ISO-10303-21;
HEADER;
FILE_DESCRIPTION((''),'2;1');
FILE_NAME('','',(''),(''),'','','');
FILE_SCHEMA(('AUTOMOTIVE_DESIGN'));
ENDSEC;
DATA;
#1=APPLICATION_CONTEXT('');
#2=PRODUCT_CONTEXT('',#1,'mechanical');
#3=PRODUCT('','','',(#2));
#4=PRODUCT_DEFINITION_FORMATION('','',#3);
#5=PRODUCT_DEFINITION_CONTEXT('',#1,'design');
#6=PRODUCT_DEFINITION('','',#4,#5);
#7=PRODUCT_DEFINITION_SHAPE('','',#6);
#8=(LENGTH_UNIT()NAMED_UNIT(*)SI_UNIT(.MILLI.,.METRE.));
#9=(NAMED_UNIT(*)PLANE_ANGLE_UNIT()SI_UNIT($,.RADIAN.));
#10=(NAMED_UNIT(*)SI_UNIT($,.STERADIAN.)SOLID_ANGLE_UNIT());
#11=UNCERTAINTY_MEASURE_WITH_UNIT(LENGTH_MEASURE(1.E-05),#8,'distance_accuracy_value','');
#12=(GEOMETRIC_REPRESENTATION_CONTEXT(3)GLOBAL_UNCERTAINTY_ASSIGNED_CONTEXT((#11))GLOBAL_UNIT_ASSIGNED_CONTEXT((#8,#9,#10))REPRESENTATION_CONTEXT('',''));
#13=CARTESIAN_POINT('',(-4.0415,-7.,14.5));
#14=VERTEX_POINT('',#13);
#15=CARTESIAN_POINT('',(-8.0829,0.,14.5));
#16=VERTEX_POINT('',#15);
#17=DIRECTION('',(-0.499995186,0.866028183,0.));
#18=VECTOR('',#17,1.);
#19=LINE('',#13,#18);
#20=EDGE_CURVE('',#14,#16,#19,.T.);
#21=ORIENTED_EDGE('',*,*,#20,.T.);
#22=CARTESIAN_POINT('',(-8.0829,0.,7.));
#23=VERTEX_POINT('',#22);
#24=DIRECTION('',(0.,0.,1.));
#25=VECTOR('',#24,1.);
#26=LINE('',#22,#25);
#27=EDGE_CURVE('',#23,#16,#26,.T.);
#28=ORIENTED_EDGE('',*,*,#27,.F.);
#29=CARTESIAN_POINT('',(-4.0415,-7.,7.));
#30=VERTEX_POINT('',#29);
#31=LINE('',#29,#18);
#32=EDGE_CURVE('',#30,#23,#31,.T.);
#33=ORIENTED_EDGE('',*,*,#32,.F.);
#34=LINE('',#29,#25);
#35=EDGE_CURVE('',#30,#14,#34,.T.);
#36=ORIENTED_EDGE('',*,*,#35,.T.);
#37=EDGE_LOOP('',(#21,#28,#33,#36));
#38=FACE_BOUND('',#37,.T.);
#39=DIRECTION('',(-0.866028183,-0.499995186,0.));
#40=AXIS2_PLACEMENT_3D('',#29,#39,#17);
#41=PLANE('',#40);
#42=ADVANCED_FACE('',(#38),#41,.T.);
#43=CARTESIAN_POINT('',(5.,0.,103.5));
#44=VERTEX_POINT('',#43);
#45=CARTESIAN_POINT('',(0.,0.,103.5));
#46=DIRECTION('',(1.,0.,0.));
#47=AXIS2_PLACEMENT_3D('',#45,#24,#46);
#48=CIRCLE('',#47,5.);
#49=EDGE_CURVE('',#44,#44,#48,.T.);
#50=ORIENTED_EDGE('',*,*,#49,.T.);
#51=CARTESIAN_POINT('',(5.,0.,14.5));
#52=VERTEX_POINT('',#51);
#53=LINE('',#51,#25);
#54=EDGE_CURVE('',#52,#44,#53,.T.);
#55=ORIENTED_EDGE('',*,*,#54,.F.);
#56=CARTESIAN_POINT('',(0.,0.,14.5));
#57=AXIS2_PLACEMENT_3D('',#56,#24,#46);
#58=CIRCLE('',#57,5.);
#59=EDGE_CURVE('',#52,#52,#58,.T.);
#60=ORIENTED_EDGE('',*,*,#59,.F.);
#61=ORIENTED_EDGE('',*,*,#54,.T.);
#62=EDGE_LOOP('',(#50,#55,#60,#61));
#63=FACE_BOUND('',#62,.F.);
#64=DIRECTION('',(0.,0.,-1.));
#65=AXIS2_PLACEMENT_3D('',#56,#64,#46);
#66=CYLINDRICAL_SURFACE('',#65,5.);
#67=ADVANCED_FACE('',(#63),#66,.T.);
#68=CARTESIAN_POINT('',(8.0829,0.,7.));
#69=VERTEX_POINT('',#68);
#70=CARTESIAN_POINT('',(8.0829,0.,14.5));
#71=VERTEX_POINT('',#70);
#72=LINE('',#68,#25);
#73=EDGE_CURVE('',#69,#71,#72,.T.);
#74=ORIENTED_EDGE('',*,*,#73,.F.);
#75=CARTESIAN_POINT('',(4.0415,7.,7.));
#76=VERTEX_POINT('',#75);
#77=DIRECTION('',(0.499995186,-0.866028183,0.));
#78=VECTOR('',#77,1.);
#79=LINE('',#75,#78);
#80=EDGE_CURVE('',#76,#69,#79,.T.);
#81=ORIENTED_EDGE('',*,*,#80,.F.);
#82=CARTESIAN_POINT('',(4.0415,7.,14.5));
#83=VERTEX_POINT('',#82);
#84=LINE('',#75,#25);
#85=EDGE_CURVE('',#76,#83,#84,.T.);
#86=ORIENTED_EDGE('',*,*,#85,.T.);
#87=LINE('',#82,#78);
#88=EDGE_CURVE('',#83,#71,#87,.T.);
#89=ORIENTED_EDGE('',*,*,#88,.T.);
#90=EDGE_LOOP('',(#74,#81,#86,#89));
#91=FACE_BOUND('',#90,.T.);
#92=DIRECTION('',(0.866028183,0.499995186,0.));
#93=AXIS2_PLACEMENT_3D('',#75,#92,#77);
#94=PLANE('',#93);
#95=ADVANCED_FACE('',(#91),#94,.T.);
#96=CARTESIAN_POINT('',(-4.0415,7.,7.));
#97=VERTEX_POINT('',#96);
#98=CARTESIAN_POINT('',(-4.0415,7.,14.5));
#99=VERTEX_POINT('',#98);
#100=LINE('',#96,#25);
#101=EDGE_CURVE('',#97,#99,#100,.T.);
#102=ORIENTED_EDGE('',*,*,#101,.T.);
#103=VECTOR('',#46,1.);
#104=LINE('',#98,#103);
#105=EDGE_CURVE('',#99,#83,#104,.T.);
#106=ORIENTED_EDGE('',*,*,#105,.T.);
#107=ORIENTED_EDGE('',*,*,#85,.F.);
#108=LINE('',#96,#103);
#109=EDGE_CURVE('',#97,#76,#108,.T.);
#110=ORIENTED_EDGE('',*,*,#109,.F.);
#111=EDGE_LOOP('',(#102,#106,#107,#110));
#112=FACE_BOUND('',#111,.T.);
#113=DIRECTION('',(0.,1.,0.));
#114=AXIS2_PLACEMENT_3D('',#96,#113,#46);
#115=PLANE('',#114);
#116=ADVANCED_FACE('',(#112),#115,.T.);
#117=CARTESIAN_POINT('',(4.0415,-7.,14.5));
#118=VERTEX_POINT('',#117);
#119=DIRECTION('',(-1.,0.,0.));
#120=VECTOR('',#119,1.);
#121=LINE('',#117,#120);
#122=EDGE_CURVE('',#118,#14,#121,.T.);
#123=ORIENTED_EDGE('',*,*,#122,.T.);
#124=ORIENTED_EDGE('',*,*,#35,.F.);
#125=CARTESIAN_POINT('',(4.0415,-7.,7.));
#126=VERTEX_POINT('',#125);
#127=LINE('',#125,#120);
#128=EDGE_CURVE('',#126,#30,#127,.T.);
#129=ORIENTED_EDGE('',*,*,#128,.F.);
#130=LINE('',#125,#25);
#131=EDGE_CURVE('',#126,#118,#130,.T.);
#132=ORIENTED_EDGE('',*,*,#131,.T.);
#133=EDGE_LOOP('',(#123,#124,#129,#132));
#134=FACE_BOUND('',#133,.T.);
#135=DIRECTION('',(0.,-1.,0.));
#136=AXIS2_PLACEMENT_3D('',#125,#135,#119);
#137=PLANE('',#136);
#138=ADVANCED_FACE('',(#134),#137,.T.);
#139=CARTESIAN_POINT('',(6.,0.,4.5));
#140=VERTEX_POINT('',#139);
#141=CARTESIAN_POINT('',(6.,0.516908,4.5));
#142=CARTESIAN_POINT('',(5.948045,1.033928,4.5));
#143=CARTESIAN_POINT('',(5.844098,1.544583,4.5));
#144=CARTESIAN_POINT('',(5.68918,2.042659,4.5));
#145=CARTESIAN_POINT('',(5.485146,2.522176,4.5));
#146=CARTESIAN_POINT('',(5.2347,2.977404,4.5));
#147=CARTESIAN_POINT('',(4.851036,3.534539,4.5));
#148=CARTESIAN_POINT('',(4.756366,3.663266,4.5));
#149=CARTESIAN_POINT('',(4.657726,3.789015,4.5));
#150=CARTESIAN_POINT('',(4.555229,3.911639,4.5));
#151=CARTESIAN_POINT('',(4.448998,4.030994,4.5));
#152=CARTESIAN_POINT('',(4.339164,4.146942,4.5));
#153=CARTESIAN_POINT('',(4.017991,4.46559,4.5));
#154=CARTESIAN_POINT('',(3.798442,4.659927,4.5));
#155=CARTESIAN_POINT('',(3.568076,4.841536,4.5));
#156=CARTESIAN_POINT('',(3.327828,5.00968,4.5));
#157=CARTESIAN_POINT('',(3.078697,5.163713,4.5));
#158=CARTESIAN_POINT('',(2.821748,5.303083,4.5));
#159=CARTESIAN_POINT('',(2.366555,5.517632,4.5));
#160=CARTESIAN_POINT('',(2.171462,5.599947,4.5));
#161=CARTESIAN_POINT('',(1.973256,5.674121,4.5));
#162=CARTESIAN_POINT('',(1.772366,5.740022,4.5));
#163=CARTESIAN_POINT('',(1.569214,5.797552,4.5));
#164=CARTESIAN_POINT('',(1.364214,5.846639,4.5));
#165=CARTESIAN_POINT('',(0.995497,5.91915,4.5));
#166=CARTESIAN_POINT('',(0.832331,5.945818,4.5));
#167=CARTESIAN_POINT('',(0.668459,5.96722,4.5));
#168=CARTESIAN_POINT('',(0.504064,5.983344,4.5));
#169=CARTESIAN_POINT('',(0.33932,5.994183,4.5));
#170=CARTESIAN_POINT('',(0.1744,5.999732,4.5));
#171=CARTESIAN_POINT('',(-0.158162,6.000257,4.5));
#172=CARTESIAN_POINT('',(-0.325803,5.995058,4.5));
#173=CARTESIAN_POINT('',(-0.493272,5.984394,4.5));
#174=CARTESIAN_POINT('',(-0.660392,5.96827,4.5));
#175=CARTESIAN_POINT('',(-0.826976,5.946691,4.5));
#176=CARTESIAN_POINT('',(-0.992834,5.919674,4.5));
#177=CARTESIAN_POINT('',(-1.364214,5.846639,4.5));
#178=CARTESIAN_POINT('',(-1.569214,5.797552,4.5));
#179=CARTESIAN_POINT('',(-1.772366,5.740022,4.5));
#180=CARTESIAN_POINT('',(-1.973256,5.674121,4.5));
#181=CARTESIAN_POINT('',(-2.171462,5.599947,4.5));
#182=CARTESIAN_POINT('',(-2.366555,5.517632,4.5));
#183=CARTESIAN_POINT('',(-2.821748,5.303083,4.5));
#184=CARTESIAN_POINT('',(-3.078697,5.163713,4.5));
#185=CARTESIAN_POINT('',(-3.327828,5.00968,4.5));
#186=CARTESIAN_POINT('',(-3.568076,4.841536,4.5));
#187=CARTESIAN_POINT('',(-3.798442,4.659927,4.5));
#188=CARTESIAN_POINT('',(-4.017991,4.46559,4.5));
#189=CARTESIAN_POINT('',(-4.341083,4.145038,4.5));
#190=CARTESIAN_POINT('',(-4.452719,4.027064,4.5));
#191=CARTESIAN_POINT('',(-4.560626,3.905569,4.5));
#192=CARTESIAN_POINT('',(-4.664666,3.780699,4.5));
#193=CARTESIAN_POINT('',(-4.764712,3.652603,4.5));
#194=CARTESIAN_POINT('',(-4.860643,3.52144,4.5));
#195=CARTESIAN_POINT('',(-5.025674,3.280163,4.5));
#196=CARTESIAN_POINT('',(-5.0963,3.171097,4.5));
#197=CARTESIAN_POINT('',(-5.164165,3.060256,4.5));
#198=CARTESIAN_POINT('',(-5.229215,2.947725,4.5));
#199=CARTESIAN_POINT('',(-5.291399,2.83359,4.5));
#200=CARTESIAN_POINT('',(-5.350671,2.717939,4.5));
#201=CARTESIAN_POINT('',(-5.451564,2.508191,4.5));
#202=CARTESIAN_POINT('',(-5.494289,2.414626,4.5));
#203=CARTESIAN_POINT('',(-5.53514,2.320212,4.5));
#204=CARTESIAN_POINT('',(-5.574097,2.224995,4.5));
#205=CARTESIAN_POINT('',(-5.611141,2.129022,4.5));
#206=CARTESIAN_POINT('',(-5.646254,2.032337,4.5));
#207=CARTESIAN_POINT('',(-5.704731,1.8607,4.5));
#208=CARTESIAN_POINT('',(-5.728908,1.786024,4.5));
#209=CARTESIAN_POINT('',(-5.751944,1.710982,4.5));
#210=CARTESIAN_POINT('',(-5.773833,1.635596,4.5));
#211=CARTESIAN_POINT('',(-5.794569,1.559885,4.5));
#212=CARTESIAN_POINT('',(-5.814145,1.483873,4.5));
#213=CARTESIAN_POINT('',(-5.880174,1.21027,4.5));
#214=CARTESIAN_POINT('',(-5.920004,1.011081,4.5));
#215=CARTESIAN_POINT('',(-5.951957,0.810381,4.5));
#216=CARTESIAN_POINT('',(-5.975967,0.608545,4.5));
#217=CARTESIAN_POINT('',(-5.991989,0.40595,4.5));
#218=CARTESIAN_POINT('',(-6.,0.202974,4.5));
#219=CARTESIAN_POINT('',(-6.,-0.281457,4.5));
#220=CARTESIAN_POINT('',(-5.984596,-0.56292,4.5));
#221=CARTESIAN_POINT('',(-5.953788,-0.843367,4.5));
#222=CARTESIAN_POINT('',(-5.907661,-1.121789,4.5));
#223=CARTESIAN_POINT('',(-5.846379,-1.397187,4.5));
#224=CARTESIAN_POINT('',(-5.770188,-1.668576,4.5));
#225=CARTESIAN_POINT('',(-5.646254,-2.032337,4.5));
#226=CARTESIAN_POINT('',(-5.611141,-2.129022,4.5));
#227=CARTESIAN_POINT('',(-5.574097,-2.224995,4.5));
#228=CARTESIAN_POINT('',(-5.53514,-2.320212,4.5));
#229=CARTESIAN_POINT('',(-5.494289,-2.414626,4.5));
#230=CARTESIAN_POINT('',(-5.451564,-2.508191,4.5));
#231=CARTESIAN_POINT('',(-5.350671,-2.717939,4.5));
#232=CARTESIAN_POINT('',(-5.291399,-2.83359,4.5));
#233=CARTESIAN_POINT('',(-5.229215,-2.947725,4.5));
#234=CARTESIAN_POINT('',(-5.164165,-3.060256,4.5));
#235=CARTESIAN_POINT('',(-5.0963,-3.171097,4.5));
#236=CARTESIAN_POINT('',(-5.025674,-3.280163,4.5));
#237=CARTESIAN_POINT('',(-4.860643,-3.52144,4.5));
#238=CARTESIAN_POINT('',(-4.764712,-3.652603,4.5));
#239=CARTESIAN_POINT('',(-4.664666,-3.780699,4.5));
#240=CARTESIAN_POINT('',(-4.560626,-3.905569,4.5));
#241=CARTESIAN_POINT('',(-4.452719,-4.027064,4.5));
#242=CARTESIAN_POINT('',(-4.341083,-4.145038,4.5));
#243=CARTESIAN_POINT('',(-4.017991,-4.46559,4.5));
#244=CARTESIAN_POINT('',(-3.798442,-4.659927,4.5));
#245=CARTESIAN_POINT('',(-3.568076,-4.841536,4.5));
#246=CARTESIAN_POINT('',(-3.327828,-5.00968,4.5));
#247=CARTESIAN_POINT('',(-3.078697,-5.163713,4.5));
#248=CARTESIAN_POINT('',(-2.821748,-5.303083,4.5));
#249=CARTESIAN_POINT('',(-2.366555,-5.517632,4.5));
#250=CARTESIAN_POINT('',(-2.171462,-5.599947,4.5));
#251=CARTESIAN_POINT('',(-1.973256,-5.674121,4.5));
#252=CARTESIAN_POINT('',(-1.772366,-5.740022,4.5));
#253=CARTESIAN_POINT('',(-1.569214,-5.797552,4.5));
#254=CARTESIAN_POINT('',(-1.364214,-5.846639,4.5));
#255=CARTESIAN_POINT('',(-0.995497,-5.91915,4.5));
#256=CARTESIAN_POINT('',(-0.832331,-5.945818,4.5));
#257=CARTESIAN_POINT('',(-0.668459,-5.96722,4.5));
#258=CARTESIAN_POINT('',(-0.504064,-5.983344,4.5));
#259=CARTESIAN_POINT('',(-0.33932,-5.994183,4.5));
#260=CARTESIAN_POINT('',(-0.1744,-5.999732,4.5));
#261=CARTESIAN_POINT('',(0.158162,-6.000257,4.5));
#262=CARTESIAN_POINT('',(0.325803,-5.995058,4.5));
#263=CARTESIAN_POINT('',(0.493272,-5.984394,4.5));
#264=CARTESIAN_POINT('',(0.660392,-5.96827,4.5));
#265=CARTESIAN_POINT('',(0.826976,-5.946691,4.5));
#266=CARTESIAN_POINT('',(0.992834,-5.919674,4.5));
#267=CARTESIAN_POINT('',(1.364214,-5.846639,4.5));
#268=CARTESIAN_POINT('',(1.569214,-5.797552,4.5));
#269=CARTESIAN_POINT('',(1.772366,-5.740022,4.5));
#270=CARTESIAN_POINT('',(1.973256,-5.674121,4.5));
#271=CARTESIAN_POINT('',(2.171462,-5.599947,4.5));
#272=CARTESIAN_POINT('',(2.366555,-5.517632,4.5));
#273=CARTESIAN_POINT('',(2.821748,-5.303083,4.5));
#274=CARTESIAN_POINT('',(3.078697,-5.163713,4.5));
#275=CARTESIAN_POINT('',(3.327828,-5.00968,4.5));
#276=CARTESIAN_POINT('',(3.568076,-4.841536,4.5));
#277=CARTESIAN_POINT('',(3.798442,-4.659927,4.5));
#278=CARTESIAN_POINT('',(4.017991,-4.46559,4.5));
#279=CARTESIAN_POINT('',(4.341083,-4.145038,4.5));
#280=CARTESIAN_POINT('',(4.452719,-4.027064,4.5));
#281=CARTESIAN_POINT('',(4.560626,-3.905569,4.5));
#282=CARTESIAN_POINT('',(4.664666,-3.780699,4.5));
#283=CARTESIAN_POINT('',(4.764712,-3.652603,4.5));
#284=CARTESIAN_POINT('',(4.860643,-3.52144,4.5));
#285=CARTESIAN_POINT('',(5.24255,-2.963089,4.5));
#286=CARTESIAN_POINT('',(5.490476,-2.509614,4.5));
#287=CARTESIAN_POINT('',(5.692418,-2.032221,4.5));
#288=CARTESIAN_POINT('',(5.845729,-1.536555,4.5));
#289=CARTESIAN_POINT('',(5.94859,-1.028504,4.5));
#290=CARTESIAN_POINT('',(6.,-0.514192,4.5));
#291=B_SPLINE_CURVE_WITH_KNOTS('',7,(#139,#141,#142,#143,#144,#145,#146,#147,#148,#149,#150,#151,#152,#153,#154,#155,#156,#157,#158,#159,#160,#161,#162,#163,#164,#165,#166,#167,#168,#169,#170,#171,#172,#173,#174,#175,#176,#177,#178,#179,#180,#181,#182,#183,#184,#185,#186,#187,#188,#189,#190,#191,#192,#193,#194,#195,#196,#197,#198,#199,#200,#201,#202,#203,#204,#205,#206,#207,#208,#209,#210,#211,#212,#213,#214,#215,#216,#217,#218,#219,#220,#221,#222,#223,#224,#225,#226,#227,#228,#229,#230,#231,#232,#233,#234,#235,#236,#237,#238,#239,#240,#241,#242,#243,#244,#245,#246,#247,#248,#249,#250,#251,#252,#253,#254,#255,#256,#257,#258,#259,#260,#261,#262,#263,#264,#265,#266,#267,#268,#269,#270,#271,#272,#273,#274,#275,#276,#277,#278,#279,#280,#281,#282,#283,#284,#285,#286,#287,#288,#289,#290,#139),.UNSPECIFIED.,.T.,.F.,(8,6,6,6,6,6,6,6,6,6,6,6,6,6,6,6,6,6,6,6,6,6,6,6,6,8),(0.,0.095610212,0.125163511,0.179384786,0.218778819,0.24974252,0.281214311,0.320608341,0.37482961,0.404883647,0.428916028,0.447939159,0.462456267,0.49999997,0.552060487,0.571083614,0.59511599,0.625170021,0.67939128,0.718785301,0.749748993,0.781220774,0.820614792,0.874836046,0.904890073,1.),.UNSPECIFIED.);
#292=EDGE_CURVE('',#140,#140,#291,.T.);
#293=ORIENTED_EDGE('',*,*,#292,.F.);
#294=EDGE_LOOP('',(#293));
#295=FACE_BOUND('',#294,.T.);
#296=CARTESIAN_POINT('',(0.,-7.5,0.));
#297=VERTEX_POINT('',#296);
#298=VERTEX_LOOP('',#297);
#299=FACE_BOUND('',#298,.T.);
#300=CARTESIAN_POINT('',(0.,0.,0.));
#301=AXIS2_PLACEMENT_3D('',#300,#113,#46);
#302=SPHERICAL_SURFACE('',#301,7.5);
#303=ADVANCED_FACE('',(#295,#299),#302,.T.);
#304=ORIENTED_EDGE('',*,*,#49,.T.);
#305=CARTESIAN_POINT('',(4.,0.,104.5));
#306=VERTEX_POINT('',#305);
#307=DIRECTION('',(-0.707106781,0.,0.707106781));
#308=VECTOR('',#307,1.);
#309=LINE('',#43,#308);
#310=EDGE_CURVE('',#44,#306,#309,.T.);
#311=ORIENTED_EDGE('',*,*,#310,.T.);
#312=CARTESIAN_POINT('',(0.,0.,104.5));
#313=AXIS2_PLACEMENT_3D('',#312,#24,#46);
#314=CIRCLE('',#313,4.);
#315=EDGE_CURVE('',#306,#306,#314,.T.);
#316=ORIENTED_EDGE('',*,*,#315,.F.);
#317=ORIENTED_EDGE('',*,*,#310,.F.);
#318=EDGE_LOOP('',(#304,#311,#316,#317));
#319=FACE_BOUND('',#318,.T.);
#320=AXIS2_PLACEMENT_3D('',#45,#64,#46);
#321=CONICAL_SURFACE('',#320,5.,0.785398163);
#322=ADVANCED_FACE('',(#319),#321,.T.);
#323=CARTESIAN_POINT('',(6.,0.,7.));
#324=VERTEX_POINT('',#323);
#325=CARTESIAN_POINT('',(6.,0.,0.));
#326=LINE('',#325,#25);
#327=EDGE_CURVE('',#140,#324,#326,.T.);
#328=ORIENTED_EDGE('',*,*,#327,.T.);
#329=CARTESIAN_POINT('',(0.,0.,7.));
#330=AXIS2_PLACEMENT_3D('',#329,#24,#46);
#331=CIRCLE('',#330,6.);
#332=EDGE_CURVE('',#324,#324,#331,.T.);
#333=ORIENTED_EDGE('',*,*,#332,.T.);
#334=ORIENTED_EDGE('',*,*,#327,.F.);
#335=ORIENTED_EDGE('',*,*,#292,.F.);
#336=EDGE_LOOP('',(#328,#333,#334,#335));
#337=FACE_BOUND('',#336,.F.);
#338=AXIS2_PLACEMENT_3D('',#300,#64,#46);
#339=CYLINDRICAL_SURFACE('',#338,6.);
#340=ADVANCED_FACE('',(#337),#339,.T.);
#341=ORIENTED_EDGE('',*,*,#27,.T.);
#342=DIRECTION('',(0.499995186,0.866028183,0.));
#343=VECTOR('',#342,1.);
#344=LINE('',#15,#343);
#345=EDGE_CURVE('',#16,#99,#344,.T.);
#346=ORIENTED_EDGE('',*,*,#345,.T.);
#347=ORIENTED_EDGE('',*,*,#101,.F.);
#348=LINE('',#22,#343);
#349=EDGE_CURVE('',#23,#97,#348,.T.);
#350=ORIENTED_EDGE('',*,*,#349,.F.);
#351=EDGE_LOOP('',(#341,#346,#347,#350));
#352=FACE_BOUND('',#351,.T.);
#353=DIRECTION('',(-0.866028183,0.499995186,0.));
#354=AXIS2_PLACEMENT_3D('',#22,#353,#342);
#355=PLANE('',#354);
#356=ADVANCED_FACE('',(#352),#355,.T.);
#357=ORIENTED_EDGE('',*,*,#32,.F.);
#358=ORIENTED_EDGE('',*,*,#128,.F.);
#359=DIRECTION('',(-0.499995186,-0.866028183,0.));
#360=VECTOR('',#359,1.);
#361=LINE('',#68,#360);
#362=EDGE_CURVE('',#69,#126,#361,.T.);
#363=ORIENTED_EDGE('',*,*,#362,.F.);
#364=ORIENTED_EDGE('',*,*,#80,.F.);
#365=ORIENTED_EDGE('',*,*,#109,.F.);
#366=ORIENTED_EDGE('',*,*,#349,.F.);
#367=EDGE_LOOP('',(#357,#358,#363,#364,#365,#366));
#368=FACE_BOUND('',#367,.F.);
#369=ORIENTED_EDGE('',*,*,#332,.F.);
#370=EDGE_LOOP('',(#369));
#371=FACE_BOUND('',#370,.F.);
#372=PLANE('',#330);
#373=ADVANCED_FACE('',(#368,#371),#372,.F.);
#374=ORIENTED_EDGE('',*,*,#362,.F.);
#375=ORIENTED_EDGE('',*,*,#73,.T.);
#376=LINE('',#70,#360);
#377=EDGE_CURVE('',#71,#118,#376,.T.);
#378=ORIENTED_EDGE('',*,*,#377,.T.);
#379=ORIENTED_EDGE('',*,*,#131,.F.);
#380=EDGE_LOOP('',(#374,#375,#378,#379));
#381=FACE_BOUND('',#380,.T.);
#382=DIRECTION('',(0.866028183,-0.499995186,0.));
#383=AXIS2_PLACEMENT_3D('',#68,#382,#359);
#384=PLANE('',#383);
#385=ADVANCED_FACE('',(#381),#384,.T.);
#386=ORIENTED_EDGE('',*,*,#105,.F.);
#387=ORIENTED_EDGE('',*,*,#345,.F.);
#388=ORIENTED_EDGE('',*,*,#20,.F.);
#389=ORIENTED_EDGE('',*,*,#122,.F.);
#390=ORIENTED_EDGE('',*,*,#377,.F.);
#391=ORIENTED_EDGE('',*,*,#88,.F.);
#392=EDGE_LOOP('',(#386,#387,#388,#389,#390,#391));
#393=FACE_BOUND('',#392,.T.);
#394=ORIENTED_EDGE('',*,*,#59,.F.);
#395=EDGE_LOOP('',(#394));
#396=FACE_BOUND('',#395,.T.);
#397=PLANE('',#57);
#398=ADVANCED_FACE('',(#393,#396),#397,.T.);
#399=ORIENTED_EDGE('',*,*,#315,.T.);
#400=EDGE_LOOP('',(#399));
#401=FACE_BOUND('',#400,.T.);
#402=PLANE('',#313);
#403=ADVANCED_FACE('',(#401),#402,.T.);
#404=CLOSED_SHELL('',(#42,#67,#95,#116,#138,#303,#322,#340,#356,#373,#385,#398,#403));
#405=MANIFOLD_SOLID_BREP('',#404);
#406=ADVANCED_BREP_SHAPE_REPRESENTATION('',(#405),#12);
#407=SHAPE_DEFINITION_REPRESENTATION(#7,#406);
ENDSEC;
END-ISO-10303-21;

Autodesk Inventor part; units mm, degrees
ref_plane "YZ Plane" through (0, 0, 0) normal (1, 0, 0) x (0, 1, 0)
ref_plane "XZ Plane" through (0, 0, 0) normal (0, 1, 0) x (-1, 0, 0)
ref_plane "XY Plane" through (0, 0, 0) normal (0, 0, 1) x (1, 0, 0)
sketch "Sketch1" plane through (0, 0, 0) normal (0, 0, 1) x (1, 0, 0)
  arc A0 (0, -7.5) -> (0, 7.5) centre (0, 0) ccw
  line L0 (0, -7.5) -> (0, 7.5)
  dimension "d5" = 15
revolve "Revolution1" add sketch "Sketch1" angle 360 about axis through (0, -7.5, 0) along (0, 1, 0)
sketch "Sketch2" plane through (0, 0, 0) normal (0, 0, 1) x (1, 0, 0)
  circle A0 centre (0, 0) radius 6
  dimension "d2" = 12
extrude "Extrusion1" add sketch "Sketch2" along normal blind 7
sketch "Sketch3" plane through (0, 0, 7) normal (0, 0, 1) x (1, 0, 0)
  circle A0 centre (0, 0) radius 6 projected
  line L0 (-4.0415, 7) -> (4.0415, 7)
  line L1 (4.0415, 7) -> (8.0829, 0)
  line L2 (8.0829, 0) -> (4.0415, -7)
  line L3 (4.0415, -7) -> (-4.0415, -7)
  line L4 (-4.0415, -7) -> (-8.0829, 0)
  line L5 (-8.0829, 0) -> (-4.0415, 7)
  point P0 (0, -7)
  dimension "d6" = 120
  dimension "d7" = 120
  dimension "d8" = 14
extrude "Extrusion2" add sketch "Sketch3" along normal blind 7.5 contours A0 | L0 L1 L2 L3 L4 L5
sketch "Sketch4" plane through (0, 0, 14.5) normal (0, 0, 1) x (1, 0, 0)
  circle A0 centre (0, 0) radius 5
  point P0 (0, 0)
  dimension "d11" = 10
extrude "Extrusion3" add sketch "Sketch4" along normal blind 90
thread "Thread1" size "M10x1.5" class "6g" standard "ANSI Metric M Profile" length 88 offset 2
chamfer "Chamfer1" distance 1 angle 45 1 edges at (-5, 0, 104.5)
properties part number "21.1846 THREADED STUD 10mm" material "Steel"
